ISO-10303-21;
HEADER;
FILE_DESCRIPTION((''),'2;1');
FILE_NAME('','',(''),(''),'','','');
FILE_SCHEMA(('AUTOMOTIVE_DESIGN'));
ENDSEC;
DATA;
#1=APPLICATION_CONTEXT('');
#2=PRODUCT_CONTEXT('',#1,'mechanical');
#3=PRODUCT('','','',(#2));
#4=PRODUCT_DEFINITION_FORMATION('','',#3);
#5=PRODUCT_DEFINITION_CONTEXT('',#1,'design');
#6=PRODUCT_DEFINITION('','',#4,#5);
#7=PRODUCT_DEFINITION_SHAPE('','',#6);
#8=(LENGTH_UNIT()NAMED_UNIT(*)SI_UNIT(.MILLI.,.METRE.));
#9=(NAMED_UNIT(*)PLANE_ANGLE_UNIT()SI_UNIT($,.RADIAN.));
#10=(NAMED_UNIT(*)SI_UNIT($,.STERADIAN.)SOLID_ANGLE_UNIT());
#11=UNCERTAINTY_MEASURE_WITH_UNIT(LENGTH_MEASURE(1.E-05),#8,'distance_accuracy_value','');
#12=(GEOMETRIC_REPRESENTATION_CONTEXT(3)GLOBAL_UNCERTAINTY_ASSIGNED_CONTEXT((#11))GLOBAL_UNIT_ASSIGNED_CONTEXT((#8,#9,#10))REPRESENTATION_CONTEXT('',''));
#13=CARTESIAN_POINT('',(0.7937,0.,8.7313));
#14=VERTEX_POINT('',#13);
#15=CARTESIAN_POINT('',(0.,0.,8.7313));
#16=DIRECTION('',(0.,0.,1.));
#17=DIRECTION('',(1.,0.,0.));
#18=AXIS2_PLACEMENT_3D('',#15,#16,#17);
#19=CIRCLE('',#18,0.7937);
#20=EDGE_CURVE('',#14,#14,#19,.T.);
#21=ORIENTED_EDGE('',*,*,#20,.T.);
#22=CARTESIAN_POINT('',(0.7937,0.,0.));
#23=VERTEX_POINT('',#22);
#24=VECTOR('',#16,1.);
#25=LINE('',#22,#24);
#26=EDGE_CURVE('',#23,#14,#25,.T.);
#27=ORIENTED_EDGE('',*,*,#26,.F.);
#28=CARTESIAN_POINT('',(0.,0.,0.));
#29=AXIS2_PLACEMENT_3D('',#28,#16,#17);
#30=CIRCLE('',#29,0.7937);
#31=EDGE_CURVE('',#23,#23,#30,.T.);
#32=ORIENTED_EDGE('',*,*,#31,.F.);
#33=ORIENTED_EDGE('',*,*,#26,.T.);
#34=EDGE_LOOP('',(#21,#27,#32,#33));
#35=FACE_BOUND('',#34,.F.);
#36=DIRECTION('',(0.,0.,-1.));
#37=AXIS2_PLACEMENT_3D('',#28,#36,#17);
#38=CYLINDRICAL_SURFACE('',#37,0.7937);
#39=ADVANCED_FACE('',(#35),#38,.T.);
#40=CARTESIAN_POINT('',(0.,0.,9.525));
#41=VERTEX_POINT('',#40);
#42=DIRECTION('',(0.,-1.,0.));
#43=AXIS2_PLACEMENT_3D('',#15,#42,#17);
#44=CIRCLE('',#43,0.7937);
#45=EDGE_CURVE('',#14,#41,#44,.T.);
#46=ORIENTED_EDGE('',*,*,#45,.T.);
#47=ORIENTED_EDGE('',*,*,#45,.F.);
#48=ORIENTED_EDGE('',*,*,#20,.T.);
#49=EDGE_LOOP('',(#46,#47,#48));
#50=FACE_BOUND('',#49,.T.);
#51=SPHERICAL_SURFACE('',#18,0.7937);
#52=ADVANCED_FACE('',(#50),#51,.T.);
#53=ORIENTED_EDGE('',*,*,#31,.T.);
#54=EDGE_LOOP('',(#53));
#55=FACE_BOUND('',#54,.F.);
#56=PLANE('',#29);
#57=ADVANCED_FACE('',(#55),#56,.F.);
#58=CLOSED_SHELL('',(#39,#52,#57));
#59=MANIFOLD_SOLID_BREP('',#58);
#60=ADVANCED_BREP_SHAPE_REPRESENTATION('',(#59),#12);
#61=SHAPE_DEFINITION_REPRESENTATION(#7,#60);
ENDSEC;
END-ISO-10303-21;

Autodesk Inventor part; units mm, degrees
ref_plane "YZ Plane" through (0, 0, 0) normal (1, 0, 0) x (0, 1, 0)
ref_plane "XZ Plane" through (0, 0, 0) normal (0, 1, 0) x (-1, 0, 0)
ref_plane "XY Plane" through (0, 0, 0) normal (0, 0, 1) x (1, 0, 0)
sketch "Sketch1" plane through (0, 0, 0) normal (0, 0, 1) x (1, 0, 0)
  circle A0 centre (0, 0) radius 0.7937
  dimension "d0" = 1.5875
extrude "Extrusion1" add sketch "Sketch1" along normal blind 9.525
fillet "Fillet1" radius 0.7937 1 edges at (-0.7937, 0, 9.525)
properties part number "eye"
